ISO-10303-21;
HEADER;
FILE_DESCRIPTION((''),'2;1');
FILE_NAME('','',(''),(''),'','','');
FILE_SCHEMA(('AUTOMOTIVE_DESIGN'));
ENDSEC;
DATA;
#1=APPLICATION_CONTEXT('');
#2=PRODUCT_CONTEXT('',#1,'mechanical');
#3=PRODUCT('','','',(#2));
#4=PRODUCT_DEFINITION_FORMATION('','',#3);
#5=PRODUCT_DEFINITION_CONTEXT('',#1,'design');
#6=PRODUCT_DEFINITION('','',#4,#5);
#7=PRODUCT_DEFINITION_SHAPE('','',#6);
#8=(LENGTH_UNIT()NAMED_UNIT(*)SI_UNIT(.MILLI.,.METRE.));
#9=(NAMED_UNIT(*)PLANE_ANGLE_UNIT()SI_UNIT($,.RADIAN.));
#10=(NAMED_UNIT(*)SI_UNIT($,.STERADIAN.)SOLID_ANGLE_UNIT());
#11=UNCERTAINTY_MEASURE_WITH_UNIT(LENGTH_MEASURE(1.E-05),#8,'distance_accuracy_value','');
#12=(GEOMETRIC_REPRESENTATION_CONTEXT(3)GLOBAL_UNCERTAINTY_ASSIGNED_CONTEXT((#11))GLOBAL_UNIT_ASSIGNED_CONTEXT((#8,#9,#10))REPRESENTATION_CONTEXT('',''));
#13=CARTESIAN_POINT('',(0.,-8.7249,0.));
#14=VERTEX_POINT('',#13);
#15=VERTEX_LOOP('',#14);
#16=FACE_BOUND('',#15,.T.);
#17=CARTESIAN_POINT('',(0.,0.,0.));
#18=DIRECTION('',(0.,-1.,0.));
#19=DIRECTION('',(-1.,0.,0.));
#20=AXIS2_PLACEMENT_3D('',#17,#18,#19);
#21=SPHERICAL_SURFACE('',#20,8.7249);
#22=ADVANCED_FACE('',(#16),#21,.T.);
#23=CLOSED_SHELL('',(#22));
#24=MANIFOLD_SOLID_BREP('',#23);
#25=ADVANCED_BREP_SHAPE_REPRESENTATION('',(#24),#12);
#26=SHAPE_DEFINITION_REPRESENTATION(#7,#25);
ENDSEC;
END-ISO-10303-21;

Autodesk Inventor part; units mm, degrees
ref_plane "YZ Plane" through (0, 0, 0) normal (1, 0, 0) x (0, 1, 0)
ref_plane "XZ Plane" through (0, 0, 0) normal (0, 1, 0) x (-1, 0, 0)
ref_plane "XY Plane" through (0, 0, 0) normal (0, 0, 1) x (1, 0, 0)
sketch "Sketch1" plane through (0, 0, 0) normal (0, 0, 1) x (1, 0, 0)
  arc A0 (0, 8.7249) -> (0, -8.7249) centre (0, 0) ccw
  line L0 (0, 8.7249) -> (0, -8.7249)
  dimension "d0" = 17.4498
revolve "Revolution1" add sketch "Sketch1" angle 360 about axis through (0, 8.7249, 0) along (0, -1, 0)
properties part number "Ball"
